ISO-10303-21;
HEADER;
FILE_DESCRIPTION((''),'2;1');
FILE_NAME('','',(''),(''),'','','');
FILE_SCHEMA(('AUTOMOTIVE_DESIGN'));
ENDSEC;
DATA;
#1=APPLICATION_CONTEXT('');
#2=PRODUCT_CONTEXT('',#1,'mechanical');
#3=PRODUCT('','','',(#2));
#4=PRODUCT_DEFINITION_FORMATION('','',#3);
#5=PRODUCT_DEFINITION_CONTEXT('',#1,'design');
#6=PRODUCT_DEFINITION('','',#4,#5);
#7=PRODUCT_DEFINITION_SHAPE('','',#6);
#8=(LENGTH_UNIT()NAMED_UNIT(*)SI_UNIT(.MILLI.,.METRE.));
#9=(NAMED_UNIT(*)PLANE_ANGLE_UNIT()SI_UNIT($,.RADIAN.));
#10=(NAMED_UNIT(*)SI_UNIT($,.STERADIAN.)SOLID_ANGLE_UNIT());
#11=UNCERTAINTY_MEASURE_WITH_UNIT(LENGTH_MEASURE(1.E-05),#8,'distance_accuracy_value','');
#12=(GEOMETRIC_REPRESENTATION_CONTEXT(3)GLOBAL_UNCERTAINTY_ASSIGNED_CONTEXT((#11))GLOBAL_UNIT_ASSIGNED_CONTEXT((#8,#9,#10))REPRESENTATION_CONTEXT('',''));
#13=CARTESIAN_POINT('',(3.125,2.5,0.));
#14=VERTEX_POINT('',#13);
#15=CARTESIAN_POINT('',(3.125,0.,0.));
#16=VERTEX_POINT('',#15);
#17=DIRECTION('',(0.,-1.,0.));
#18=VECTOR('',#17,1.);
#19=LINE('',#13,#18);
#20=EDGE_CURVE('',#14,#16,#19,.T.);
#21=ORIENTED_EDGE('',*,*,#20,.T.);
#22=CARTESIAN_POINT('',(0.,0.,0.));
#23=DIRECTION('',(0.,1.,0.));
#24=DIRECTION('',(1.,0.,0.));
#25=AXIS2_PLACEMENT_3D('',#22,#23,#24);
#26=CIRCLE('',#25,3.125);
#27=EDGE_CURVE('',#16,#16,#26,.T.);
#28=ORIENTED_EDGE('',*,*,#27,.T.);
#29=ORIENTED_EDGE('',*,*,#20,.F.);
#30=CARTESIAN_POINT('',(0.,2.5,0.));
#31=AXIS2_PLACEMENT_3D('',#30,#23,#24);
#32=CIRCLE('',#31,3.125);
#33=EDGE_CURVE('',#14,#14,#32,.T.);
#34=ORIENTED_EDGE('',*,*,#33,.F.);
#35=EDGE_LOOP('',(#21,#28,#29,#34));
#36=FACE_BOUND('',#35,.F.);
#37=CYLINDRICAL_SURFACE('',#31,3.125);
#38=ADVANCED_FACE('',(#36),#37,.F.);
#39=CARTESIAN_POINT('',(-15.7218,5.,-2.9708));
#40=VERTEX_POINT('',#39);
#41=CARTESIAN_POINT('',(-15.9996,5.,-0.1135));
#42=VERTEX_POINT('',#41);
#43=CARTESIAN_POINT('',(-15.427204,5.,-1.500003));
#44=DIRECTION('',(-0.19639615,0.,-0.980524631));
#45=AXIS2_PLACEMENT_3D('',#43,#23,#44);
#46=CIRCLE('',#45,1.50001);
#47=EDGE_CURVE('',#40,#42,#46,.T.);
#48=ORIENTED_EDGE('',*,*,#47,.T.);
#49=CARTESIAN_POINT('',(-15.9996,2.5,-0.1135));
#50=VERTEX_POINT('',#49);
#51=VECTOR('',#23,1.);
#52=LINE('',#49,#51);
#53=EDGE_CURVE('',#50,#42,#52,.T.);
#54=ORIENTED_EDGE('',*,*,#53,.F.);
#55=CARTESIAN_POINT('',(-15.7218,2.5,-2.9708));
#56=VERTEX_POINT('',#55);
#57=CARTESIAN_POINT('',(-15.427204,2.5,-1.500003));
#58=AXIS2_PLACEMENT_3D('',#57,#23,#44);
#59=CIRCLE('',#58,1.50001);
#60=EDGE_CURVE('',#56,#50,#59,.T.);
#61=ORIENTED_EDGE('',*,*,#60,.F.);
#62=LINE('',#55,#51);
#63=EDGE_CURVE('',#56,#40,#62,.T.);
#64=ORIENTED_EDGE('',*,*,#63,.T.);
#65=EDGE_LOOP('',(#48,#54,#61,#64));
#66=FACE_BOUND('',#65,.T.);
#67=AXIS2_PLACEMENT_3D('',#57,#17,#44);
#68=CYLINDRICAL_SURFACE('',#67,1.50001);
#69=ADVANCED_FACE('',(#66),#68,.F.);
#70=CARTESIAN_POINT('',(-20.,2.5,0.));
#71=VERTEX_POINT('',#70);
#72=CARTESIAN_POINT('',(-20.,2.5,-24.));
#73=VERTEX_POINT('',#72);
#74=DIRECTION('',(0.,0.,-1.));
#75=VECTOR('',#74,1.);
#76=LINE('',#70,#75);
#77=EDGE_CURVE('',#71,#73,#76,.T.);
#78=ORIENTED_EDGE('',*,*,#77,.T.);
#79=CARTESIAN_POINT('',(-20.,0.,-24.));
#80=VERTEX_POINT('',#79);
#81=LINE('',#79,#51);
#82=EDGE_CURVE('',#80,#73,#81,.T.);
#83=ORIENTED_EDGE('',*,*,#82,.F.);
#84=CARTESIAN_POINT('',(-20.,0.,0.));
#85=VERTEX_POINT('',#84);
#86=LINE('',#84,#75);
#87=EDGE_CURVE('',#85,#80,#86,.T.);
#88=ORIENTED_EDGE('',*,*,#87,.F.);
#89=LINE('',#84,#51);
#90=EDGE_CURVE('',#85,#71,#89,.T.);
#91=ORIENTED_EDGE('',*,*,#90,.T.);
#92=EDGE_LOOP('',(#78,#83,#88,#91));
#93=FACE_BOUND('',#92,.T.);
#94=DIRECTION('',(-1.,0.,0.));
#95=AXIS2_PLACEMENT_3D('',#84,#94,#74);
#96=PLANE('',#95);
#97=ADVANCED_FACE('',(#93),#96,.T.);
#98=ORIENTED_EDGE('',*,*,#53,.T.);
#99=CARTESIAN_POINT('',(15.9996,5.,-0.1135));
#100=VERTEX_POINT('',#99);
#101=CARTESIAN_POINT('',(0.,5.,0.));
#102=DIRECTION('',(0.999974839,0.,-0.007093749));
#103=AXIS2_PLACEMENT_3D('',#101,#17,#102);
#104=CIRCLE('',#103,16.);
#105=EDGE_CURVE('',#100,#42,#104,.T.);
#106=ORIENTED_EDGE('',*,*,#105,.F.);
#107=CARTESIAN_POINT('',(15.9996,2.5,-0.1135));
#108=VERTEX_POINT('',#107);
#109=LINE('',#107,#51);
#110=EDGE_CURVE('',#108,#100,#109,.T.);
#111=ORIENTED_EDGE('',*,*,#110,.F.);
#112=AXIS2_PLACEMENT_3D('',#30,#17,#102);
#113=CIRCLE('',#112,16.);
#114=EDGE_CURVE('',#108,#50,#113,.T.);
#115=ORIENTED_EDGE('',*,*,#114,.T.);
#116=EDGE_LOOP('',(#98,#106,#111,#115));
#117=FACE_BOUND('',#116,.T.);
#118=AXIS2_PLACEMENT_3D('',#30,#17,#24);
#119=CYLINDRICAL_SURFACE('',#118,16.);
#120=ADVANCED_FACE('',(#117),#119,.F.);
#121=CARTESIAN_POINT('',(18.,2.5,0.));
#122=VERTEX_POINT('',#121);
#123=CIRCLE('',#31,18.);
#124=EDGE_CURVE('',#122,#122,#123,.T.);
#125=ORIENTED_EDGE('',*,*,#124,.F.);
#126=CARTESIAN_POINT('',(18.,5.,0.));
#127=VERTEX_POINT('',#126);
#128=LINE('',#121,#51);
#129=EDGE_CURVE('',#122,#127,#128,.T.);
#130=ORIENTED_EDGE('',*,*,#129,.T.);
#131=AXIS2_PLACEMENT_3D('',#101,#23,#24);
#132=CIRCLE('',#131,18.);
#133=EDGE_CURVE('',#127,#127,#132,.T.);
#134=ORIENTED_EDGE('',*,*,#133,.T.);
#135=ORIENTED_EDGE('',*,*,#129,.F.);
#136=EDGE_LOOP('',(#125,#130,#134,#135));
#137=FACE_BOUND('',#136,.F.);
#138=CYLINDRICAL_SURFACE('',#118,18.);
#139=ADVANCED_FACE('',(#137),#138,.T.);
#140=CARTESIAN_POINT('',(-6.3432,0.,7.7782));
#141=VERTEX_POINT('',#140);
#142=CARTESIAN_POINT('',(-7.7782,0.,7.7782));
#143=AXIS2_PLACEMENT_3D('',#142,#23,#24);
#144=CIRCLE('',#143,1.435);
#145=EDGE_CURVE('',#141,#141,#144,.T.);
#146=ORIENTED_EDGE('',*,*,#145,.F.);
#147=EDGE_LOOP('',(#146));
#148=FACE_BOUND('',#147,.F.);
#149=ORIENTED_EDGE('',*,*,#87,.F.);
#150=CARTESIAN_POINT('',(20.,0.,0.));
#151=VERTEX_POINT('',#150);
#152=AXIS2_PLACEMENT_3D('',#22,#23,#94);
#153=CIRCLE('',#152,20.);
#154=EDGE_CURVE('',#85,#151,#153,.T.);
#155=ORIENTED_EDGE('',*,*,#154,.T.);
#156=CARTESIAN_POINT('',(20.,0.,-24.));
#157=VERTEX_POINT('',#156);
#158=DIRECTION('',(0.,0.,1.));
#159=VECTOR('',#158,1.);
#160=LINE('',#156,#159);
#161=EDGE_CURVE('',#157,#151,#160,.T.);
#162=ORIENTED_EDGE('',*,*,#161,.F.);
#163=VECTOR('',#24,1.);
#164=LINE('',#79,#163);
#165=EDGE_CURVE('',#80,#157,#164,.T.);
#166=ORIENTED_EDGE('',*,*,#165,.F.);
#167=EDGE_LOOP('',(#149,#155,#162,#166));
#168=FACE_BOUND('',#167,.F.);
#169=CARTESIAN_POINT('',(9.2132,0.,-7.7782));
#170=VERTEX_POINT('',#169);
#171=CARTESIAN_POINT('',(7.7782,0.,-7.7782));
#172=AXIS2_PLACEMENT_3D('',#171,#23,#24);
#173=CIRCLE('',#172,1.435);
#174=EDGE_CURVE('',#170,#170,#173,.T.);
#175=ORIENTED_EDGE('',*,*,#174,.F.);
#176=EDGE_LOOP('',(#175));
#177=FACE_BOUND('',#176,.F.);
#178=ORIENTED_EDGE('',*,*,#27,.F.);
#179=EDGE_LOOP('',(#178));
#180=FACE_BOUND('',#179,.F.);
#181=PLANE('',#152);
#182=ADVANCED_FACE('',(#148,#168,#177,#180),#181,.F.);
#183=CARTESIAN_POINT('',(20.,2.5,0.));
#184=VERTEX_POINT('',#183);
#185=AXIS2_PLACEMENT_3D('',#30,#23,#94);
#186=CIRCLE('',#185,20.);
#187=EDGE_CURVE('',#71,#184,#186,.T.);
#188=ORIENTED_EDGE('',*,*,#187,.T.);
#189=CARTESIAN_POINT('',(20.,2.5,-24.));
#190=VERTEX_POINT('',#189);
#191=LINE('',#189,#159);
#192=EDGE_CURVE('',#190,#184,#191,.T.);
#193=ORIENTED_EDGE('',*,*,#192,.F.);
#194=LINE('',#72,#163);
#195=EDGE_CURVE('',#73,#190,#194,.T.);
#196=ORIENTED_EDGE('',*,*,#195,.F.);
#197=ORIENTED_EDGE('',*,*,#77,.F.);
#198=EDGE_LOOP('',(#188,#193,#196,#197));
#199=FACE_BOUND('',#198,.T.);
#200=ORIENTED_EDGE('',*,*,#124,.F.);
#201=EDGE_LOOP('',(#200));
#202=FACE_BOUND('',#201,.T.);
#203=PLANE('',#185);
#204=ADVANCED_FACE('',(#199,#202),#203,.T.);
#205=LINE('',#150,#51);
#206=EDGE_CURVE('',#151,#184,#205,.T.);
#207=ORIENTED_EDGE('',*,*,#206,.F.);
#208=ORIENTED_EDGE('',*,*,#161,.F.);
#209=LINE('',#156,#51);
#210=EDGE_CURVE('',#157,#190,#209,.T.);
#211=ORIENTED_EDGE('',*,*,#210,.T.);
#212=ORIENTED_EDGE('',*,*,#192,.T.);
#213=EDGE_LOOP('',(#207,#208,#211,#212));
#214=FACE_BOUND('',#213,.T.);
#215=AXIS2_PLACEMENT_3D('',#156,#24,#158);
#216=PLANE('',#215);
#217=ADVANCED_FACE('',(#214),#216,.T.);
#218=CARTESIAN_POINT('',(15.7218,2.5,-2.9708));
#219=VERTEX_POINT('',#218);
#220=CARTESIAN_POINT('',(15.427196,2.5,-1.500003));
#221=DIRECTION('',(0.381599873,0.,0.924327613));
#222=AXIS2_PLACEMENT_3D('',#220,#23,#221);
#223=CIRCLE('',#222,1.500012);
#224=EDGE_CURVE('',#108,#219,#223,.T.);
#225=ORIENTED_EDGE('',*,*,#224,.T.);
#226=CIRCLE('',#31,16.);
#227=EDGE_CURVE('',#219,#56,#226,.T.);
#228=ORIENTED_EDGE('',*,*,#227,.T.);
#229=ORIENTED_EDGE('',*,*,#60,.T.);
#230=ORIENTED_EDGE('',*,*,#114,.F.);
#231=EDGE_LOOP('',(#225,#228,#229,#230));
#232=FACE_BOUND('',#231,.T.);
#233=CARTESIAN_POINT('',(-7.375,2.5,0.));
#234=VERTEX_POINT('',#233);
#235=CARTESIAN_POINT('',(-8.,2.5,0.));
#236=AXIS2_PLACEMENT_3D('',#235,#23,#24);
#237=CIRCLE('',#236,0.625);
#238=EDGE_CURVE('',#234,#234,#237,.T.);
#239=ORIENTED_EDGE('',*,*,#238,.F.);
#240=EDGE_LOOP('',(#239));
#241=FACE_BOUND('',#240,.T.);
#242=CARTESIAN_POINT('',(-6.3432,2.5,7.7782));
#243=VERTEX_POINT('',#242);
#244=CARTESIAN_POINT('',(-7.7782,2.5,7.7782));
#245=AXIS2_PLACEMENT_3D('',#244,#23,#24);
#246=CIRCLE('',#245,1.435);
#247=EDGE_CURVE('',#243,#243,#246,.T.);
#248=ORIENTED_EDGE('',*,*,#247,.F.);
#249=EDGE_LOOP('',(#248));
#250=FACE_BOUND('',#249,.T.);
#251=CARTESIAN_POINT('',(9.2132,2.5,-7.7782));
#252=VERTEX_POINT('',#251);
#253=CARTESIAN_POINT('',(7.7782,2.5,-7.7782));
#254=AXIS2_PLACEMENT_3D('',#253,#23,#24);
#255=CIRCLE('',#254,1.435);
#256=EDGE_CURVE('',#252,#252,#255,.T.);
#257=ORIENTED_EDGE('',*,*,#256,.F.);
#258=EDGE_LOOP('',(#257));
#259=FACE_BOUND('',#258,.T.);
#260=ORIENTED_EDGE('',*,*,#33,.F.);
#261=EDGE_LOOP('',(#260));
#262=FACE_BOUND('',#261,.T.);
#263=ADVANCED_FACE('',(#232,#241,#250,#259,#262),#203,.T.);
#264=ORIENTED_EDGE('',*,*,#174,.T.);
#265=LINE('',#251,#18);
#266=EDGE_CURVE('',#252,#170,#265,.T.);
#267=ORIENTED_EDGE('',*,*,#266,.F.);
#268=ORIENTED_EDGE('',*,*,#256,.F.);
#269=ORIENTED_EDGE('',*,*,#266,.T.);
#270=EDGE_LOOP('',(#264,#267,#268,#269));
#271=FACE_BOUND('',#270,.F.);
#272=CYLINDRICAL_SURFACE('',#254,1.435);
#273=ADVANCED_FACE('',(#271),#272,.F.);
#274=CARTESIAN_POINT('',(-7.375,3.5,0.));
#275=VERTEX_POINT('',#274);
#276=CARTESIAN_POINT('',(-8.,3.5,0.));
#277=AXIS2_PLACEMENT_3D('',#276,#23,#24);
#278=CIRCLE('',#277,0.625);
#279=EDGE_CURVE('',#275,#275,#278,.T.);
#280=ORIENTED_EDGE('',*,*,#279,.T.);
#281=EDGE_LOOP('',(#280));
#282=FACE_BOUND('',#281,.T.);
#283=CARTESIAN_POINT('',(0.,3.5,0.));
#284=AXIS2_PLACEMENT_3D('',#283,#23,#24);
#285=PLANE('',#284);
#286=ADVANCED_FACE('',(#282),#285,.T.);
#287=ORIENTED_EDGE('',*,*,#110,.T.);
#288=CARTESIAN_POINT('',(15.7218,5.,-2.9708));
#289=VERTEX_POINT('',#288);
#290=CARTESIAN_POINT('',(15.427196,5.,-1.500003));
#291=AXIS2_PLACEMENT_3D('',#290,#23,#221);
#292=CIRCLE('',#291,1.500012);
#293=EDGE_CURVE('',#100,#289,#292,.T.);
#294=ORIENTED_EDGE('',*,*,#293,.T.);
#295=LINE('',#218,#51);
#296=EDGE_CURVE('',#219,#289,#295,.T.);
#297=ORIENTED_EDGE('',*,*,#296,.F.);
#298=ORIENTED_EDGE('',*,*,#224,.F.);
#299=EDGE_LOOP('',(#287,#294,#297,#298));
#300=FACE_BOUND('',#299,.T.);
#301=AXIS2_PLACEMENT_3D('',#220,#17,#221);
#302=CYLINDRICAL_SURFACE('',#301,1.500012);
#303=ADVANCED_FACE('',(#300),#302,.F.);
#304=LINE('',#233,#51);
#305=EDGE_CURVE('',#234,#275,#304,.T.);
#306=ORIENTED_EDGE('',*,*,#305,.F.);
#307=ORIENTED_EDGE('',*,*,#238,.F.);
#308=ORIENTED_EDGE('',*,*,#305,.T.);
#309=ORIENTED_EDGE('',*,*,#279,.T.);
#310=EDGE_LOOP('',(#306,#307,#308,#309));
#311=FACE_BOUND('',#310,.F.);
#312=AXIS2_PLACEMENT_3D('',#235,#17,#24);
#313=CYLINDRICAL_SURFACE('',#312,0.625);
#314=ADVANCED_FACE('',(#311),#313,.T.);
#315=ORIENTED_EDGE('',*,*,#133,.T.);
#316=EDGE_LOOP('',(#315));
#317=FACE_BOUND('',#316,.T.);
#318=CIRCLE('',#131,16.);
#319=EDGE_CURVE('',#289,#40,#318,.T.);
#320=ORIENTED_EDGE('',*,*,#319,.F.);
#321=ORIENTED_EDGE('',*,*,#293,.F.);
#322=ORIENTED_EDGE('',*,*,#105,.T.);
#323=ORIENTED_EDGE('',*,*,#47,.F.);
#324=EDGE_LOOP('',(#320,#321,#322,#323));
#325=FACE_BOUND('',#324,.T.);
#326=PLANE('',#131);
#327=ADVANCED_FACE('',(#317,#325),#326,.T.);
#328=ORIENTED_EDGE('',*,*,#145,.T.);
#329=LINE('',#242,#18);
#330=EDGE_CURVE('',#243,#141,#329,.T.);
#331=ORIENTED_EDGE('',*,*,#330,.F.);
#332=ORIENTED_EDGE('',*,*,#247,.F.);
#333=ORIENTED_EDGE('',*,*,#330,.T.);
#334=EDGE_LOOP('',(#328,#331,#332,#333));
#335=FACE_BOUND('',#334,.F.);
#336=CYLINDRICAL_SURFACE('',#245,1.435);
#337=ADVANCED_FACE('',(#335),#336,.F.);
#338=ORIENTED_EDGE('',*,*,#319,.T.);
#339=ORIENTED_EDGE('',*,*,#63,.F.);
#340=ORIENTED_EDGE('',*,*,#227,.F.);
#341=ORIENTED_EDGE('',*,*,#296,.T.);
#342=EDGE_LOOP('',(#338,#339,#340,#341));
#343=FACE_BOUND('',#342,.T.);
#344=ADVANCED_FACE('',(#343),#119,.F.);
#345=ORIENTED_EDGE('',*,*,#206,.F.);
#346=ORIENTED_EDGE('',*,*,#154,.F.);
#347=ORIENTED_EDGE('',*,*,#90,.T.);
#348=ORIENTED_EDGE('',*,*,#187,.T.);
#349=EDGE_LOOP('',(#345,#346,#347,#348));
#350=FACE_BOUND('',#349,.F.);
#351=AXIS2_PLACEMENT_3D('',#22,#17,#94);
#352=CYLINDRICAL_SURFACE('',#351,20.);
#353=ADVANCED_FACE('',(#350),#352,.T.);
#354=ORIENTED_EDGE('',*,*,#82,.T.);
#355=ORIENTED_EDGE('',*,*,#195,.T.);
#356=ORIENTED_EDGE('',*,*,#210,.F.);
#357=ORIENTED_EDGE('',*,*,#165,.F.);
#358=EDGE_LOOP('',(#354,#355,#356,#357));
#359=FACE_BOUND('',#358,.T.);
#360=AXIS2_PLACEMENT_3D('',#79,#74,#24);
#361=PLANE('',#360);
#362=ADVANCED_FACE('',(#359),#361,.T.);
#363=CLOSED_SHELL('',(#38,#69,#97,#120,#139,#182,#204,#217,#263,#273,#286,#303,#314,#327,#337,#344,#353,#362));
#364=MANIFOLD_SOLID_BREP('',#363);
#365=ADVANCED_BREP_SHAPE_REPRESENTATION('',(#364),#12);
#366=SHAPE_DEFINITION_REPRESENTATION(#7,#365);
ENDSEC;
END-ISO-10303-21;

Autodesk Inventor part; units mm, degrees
ref_plane "YZ Plane" through (0, 0, 0) normal (1, 0, 0) x (0, 1, 0)
ref_plane "XZ Plane" through (0, 0, 0) normal (0, 1, 0) x (-1, 0, 0)
ref_plane "XY Plane" through (0, 0, 0) normal (0, 0, 1) x (1, 0, 0)
sketch "Sketch1" plane through (0, 0, 0) normal (0, 1, 0) x (-1, 0, 0)
  arc A0 (20, 0) -> (-20, 0) centre (0, 0) ccw
  line L0 (20, 0) -> (20, -24)
  line L1 (20, -24) -> (-20, -24)
  line L2 (-20, -24) -> (-20, 0)
  dimension "d0" = 40
  dimension "d1" = 44
extrude "Extrusion1" add sketch "Sketch1" along normal blind 2.5
sketch "Sketch2" plane through (0, 2.5, 0) normal (0, 1, 0) x (1, 0, 0)
  arc A0 (-20, 0) -> (20, 0) centre (0, 0) ccw projected
  circle A1 centre (0, 0) radius 18
  circle A2 centre (0, 0) radius 16
  arc A3 (-15.7218, 2.9708) -> (-15.9996, 0.1135) centre (-15.4272, 1.5) ccw
  arc A4 (15.9996, 0.1135) -> (15.7218, 2.9708) centre (15.4272, 1.5) ccw
  line L0 (-15.9249, 1.5484) -> (-16.9202, 1.6452) construction
  line L1 (16.9202, 1.6452) -> (15.9249, 1.5484) construction
  dimension "d4" = 36
  dimension "d7" = 2
  dimension "d8" = 3
  dimension "d9" = 1
  dimension "d10" = 1.5
extrude "Extrusion2" add sketch "Sketch2" along normal blind 2.5
sketch "Sketch3" plane through (0, 2.5, 0) normal (0, 1, 0) x (1, 0, 0)
  arc A0 (-15.9996, 0.1135) -> (15.9996, 0.1135) centre (0, 0) ccw projected
  circle A1 centre (0, 0) radius 3.125
  dimension "d13" = 6.25
extrude "Extrusion3" cut sketch "Sketch3" against normal through all
sketch "Sketch4" plane through (0, 2.5, 0) normal (0, 1, 0) x (1, 0, 0)
  circle A0 centre (0, 0) radius 3.125 projected
  circle A1 centre (-8, 0) radius 0.625
  dimension "d16" = 1.25
  dimension "d18" = 8
extrude "Extrusion4" add sketch "Sketch4" along normal blind 1 contours A1
sketch "Sketch5" plane through (0, 2.5, 0) normal (0, 1, 0) x (1, 0, 0)
  circle A0 centre (0, 0) radius 3.125 projected
  circle A1 centre (7.7782, 7.7782) radius 1.435
  circle A2 centre (-7.7782, -7.7782) radius 1.435
  line L0 (7.7782, 7.7782) -> (-7.7782, -7.7782) construction
  line L1 (20, 24) -> (-20, 24) construction
  dimension "d21" = 2.87
  dimension "d23" = 22
  dimension "d24" = 45
extrude "Extrusion5" cut sketch "Sketch5" against normal through all contours A1 | A2
properties part number "WhitePumpBase"
